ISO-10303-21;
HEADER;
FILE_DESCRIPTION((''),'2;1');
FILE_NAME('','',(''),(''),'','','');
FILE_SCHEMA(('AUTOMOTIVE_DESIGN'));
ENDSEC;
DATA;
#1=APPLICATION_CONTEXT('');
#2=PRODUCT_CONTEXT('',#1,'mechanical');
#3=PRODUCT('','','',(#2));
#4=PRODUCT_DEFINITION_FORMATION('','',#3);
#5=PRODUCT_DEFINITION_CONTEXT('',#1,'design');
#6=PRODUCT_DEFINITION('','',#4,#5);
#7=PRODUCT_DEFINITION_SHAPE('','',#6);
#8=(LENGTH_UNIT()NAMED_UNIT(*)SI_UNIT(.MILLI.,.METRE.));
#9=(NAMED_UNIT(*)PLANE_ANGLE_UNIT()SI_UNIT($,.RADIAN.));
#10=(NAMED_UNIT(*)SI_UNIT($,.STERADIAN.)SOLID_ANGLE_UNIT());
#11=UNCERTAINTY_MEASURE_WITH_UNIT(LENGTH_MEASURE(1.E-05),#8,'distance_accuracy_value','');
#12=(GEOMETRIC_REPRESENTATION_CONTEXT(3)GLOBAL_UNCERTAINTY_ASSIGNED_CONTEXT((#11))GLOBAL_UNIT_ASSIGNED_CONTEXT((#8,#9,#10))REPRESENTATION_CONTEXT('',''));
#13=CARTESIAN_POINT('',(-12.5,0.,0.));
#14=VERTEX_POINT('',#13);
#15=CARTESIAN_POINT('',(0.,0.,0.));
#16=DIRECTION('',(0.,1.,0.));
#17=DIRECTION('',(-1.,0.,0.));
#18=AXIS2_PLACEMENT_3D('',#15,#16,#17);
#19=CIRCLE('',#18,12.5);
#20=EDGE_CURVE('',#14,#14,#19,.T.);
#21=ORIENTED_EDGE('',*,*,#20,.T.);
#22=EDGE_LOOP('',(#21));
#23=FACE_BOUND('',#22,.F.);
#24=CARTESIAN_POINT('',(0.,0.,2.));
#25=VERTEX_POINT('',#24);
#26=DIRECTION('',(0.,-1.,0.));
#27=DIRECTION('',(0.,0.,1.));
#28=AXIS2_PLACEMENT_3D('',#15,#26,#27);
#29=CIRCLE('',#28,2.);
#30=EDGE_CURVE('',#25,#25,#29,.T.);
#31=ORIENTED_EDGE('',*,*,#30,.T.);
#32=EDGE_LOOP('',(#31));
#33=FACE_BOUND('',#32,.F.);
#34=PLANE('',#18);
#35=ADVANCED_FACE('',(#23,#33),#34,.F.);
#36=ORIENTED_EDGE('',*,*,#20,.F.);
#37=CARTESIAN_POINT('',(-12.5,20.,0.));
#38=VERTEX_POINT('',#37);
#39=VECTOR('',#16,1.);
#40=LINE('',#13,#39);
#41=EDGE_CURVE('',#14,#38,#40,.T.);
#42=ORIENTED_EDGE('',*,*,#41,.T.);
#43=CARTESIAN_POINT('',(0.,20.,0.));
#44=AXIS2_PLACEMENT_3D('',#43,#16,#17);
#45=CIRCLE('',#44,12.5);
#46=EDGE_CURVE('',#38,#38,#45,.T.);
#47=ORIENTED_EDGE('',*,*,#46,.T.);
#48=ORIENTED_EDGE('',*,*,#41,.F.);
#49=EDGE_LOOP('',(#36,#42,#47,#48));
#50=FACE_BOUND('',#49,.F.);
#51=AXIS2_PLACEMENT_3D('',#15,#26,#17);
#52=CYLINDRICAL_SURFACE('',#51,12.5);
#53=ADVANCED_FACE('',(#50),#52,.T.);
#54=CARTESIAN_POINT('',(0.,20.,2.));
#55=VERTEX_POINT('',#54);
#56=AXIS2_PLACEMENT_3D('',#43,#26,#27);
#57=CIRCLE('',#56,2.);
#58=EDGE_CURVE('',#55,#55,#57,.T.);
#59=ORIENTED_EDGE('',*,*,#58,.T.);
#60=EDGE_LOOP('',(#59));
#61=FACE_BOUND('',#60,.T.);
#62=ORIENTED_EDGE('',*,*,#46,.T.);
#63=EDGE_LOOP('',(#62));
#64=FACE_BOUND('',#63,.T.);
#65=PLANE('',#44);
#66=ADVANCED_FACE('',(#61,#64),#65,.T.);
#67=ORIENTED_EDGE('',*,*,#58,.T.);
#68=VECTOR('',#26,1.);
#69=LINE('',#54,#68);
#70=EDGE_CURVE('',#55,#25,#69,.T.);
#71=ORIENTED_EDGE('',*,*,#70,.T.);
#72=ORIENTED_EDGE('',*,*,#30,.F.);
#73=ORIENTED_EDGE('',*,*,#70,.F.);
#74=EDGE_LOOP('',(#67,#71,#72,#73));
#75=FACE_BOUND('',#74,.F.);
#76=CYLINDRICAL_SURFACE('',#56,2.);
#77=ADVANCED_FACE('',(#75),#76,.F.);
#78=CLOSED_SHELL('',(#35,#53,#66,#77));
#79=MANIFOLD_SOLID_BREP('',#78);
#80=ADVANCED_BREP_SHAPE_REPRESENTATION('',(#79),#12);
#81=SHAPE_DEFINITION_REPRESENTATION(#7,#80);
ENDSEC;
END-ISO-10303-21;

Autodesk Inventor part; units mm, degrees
ref_plane "YZ Plane" through (0, 0, 0) normal (1, 0, 0) x (0, 1, 0)
ref_plane "XZ Plane" through (0, 0, 0) normal (0, 1, 0) x (-1, 0, 0)
ref_plane "XY Plane" through (0, 0, 0) normal (0, 0, 1) x (1, 0, 0)
sketch "Sketch1" plane through (0, 0, 0) normal (0, 1, 0) x (-1, 0, 0)
  circle A0 centre (0, 0) radius 12.5
  dimension "d0" = 25
extrude "Extrusion1" add sketch "Sketch1" along normal blind 20
sketch "Sketch2" plane through (0, 20, 0) normal (0, 1, 0) x (1, 0, 0)
  point P0 (0, 0)
  point P1 (0, 0)
hole "Hole1" at (0, 20, 0) direction (0, -1, 0) diameter 4 end through all
thread "Thread1" size "M4x0.7" class "6H" standard "ANSI Metric M Profile" full length
properties part number "Electromagnet"
